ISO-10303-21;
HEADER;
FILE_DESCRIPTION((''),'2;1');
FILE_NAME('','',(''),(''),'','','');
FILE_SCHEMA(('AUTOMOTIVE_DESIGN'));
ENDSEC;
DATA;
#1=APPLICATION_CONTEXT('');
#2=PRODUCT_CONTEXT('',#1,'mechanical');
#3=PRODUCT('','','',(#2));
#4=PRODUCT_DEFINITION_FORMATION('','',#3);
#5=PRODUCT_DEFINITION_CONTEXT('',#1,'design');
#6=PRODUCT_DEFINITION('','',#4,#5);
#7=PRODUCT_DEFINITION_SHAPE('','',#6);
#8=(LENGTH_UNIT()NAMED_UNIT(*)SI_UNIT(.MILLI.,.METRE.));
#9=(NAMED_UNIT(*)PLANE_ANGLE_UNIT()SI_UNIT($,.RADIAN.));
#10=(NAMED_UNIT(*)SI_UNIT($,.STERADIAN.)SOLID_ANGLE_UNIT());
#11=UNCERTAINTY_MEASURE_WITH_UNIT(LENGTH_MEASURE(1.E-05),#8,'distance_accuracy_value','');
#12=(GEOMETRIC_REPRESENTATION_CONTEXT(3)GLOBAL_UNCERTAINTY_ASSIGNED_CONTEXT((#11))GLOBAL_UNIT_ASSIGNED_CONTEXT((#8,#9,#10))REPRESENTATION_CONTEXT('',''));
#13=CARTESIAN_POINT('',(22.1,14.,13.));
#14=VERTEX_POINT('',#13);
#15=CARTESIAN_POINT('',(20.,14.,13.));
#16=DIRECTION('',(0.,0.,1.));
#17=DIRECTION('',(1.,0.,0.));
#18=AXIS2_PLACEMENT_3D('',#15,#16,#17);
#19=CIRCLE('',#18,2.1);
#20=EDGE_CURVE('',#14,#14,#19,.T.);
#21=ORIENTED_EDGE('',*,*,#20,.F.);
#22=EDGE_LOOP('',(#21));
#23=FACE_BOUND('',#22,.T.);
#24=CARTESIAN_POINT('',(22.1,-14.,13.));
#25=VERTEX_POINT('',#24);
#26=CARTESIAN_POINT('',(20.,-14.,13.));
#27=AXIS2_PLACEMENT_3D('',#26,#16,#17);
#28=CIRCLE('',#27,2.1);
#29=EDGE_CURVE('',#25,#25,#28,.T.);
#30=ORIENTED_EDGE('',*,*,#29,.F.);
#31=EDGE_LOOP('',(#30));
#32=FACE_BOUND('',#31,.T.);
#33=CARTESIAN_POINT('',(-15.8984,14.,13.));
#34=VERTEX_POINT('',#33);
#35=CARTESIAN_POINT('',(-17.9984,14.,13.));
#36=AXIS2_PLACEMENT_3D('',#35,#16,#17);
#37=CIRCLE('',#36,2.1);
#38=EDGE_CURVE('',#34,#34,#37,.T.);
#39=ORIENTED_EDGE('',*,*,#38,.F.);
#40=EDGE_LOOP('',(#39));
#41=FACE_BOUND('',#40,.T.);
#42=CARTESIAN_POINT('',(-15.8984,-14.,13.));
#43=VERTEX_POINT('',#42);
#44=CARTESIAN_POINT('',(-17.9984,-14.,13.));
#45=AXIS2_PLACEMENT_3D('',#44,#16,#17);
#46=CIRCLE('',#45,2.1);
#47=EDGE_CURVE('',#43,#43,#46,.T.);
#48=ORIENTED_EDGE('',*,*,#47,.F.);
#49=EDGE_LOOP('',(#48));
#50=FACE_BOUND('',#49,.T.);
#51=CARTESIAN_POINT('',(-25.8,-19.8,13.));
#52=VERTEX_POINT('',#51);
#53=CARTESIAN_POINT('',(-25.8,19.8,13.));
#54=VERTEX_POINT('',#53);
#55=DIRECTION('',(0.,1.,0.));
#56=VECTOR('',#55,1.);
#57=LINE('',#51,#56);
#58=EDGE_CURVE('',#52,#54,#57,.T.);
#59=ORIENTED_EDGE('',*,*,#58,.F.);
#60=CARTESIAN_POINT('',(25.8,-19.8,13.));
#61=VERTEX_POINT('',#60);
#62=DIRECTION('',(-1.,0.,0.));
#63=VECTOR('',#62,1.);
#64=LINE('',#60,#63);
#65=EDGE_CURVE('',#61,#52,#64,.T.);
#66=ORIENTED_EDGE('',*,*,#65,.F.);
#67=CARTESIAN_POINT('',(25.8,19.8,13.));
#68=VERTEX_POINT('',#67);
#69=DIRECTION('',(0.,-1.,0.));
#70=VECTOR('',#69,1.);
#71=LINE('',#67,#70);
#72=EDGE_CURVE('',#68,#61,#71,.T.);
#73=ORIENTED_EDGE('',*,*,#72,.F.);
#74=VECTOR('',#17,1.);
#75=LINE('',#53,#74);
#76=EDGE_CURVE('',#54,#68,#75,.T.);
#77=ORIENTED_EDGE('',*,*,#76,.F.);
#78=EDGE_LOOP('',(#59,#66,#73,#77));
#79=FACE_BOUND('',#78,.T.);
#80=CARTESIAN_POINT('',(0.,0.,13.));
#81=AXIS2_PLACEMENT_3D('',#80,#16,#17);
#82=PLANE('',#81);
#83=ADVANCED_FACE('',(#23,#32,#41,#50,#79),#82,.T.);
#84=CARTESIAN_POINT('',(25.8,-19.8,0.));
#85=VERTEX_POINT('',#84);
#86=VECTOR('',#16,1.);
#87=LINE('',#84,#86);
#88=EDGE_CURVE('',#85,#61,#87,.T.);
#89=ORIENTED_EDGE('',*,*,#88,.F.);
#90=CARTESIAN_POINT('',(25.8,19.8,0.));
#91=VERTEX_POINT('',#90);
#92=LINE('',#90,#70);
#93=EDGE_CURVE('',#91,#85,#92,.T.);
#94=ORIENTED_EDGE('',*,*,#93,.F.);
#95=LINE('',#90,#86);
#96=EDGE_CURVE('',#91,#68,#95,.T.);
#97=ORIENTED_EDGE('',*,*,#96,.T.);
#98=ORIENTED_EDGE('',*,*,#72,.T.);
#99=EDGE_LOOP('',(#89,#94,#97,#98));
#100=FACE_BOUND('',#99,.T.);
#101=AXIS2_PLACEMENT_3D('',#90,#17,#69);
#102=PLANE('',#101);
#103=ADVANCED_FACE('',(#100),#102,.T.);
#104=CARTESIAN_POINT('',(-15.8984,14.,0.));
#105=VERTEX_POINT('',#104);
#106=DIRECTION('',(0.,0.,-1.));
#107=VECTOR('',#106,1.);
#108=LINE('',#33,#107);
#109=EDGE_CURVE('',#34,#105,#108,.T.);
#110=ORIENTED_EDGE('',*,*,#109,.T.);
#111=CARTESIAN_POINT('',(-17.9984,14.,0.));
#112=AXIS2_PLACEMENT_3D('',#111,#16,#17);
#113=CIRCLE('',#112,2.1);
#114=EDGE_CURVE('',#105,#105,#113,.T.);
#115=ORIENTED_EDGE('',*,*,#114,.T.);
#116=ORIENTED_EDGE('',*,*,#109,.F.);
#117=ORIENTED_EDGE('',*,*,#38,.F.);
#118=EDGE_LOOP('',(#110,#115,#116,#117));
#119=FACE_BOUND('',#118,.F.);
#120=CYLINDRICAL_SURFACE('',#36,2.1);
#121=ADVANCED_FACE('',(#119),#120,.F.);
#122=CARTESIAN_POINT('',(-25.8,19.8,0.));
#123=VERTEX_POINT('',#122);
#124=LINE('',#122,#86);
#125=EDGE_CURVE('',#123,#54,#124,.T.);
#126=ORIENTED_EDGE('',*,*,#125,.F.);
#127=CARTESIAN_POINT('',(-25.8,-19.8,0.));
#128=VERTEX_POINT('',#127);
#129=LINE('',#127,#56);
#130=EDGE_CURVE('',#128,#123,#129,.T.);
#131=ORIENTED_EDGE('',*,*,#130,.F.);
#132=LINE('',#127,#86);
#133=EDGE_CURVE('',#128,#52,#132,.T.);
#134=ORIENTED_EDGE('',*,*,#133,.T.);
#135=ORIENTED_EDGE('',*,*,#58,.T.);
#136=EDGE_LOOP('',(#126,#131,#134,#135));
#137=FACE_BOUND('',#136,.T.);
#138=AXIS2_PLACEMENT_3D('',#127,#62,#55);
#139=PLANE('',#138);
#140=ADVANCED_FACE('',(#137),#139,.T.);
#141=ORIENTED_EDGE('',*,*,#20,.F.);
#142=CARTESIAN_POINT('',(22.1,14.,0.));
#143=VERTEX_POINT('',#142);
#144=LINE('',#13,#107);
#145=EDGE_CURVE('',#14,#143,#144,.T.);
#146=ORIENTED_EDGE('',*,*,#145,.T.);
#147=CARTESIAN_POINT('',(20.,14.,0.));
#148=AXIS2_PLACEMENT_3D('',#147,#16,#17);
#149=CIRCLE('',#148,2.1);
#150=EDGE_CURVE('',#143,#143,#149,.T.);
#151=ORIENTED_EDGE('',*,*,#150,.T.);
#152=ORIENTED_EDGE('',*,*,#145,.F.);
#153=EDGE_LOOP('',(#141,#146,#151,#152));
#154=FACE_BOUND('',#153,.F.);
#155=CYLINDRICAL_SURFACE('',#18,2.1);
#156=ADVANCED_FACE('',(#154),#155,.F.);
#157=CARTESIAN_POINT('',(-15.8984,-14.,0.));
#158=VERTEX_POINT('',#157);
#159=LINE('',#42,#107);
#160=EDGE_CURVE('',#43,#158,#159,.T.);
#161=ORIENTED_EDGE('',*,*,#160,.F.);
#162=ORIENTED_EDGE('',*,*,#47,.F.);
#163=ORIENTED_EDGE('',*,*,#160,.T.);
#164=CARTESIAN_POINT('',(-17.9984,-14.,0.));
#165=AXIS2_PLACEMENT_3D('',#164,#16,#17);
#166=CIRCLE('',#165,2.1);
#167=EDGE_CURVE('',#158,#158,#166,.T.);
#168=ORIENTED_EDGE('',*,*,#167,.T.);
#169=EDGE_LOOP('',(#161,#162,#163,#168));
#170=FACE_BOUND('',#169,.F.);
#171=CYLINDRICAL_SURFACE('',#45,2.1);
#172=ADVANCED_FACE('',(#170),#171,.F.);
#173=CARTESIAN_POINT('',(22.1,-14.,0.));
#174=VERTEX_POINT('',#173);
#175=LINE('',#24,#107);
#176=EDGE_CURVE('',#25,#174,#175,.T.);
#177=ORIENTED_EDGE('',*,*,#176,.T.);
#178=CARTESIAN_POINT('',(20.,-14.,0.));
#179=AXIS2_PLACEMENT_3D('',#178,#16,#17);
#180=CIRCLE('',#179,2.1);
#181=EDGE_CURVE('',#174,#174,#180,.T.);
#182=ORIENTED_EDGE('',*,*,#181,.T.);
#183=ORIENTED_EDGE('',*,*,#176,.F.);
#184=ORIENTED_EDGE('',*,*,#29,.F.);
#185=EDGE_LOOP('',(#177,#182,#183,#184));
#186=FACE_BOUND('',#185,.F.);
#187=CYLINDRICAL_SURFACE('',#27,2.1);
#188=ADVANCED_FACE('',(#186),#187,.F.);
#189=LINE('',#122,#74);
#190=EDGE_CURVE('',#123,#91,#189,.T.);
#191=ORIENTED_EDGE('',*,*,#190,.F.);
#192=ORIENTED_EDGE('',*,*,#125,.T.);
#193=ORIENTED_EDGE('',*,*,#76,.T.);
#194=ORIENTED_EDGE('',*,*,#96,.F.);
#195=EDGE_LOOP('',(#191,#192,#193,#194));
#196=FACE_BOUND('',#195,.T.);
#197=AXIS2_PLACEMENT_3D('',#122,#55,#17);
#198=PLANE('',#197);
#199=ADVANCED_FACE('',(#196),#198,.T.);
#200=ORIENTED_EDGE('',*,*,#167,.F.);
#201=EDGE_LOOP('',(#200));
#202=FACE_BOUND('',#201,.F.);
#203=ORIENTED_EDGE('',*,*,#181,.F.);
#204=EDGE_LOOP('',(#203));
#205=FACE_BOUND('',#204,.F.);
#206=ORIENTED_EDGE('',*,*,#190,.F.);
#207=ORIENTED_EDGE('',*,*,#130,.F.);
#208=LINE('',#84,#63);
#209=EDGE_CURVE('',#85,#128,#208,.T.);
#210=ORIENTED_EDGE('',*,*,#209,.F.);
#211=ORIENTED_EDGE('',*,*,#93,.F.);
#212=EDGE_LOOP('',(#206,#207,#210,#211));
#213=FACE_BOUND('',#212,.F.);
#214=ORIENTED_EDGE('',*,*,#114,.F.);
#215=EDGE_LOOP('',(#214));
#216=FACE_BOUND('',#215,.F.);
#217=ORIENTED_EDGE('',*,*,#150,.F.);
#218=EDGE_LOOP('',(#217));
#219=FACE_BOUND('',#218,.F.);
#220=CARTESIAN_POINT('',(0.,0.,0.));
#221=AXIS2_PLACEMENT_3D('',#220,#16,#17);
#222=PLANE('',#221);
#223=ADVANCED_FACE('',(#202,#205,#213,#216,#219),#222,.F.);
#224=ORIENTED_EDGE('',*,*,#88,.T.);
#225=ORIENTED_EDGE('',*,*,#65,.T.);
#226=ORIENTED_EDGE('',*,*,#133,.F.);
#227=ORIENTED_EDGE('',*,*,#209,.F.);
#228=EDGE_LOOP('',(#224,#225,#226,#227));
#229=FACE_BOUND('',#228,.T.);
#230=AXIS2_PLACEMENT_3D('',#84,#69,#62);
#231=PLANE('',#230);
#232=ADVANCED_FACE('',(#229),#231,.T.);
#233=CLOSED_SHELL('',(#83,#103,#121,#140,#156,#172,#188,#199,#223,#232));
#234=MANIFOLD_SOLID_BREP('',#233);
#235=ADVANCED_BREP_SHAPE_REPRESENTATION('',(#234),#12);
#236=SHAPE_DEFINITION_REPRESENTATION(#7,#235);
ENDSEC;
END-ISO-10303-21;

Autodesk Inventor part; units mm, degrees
ref_plane "YZ Plane" through (0, 0, 0) normal (1, 0, 0) x (0, 1, 0)
ref_plane "XZ Plane" through (0, 0, 0) normal (0, 1, 0) x (-1, 0, 0)
ref_plane "XY Plane" through (0, 0, 0) normal (0, 0, 1) x (1, 0, 0)
sketch "Boceto1" plane through (0, 0, 0) normal (0, 0, 1) x (1, 0, 0)
  line L0 (-25.8, 19.8) -> (25.8, 19.8)
  line L1 (25.8, 19.8) -> (25.8, -19.8)
  line L2 (25.8, -19.8) -> (-25.8, -19.8)
  line L3 (-25.8, -19.8) -> (-25.8, 19.8)
  line L4 (-25.8, 19.8) -> (25.8, -19.8) construction
  line L5 (25.8, 19.8) -> (-25.8, -19.8) construction
  point P0 (0, 0)
  dimension "d0" = 39.6
  dimension "d1" = 51.6
extrude "Extrusión1" add sketch "Boceto1" along normal blind 13
sketch "Boceto2" plane through (0, 0, 13) normal (0, 0, 1) x (1, 0, 0)
  circle A0 centre (-17.9984, 14) radius 2.1
  circle A1 centre (20, 14) radius 2.1
  line L0 (25.8, -19.8) -> (25.8, 19.8) projected
  line L1 (25.8, 19.8) -> (-25.8, 19.8) projected
  line L2 (-25.8, 19.8) -> (-25.8, -19.8) projected
  line L3 (20, 14) -> (-25.8, 14) construction
  line L4 (-25.8, 0) -> (25.8, 0) construction
  circle A2 centre (-17.9984, -14) radius 2.1
  circle A3 centre (20, -14) radius 2.1
  point P0 (0, 0)
  dimension "d4" = 4.2
  dimension "d5" = 4.2
  dimension "d7" = 5.8
  dimension "d8" = 5.8
  dimension "d10" = 5.8
  dimension "d11" = 7.8016
extrude "Extrusión2" cut sketch "Boceto2" against normal through all
properties part number "PiezaNivel" material "Plástico ABS"
